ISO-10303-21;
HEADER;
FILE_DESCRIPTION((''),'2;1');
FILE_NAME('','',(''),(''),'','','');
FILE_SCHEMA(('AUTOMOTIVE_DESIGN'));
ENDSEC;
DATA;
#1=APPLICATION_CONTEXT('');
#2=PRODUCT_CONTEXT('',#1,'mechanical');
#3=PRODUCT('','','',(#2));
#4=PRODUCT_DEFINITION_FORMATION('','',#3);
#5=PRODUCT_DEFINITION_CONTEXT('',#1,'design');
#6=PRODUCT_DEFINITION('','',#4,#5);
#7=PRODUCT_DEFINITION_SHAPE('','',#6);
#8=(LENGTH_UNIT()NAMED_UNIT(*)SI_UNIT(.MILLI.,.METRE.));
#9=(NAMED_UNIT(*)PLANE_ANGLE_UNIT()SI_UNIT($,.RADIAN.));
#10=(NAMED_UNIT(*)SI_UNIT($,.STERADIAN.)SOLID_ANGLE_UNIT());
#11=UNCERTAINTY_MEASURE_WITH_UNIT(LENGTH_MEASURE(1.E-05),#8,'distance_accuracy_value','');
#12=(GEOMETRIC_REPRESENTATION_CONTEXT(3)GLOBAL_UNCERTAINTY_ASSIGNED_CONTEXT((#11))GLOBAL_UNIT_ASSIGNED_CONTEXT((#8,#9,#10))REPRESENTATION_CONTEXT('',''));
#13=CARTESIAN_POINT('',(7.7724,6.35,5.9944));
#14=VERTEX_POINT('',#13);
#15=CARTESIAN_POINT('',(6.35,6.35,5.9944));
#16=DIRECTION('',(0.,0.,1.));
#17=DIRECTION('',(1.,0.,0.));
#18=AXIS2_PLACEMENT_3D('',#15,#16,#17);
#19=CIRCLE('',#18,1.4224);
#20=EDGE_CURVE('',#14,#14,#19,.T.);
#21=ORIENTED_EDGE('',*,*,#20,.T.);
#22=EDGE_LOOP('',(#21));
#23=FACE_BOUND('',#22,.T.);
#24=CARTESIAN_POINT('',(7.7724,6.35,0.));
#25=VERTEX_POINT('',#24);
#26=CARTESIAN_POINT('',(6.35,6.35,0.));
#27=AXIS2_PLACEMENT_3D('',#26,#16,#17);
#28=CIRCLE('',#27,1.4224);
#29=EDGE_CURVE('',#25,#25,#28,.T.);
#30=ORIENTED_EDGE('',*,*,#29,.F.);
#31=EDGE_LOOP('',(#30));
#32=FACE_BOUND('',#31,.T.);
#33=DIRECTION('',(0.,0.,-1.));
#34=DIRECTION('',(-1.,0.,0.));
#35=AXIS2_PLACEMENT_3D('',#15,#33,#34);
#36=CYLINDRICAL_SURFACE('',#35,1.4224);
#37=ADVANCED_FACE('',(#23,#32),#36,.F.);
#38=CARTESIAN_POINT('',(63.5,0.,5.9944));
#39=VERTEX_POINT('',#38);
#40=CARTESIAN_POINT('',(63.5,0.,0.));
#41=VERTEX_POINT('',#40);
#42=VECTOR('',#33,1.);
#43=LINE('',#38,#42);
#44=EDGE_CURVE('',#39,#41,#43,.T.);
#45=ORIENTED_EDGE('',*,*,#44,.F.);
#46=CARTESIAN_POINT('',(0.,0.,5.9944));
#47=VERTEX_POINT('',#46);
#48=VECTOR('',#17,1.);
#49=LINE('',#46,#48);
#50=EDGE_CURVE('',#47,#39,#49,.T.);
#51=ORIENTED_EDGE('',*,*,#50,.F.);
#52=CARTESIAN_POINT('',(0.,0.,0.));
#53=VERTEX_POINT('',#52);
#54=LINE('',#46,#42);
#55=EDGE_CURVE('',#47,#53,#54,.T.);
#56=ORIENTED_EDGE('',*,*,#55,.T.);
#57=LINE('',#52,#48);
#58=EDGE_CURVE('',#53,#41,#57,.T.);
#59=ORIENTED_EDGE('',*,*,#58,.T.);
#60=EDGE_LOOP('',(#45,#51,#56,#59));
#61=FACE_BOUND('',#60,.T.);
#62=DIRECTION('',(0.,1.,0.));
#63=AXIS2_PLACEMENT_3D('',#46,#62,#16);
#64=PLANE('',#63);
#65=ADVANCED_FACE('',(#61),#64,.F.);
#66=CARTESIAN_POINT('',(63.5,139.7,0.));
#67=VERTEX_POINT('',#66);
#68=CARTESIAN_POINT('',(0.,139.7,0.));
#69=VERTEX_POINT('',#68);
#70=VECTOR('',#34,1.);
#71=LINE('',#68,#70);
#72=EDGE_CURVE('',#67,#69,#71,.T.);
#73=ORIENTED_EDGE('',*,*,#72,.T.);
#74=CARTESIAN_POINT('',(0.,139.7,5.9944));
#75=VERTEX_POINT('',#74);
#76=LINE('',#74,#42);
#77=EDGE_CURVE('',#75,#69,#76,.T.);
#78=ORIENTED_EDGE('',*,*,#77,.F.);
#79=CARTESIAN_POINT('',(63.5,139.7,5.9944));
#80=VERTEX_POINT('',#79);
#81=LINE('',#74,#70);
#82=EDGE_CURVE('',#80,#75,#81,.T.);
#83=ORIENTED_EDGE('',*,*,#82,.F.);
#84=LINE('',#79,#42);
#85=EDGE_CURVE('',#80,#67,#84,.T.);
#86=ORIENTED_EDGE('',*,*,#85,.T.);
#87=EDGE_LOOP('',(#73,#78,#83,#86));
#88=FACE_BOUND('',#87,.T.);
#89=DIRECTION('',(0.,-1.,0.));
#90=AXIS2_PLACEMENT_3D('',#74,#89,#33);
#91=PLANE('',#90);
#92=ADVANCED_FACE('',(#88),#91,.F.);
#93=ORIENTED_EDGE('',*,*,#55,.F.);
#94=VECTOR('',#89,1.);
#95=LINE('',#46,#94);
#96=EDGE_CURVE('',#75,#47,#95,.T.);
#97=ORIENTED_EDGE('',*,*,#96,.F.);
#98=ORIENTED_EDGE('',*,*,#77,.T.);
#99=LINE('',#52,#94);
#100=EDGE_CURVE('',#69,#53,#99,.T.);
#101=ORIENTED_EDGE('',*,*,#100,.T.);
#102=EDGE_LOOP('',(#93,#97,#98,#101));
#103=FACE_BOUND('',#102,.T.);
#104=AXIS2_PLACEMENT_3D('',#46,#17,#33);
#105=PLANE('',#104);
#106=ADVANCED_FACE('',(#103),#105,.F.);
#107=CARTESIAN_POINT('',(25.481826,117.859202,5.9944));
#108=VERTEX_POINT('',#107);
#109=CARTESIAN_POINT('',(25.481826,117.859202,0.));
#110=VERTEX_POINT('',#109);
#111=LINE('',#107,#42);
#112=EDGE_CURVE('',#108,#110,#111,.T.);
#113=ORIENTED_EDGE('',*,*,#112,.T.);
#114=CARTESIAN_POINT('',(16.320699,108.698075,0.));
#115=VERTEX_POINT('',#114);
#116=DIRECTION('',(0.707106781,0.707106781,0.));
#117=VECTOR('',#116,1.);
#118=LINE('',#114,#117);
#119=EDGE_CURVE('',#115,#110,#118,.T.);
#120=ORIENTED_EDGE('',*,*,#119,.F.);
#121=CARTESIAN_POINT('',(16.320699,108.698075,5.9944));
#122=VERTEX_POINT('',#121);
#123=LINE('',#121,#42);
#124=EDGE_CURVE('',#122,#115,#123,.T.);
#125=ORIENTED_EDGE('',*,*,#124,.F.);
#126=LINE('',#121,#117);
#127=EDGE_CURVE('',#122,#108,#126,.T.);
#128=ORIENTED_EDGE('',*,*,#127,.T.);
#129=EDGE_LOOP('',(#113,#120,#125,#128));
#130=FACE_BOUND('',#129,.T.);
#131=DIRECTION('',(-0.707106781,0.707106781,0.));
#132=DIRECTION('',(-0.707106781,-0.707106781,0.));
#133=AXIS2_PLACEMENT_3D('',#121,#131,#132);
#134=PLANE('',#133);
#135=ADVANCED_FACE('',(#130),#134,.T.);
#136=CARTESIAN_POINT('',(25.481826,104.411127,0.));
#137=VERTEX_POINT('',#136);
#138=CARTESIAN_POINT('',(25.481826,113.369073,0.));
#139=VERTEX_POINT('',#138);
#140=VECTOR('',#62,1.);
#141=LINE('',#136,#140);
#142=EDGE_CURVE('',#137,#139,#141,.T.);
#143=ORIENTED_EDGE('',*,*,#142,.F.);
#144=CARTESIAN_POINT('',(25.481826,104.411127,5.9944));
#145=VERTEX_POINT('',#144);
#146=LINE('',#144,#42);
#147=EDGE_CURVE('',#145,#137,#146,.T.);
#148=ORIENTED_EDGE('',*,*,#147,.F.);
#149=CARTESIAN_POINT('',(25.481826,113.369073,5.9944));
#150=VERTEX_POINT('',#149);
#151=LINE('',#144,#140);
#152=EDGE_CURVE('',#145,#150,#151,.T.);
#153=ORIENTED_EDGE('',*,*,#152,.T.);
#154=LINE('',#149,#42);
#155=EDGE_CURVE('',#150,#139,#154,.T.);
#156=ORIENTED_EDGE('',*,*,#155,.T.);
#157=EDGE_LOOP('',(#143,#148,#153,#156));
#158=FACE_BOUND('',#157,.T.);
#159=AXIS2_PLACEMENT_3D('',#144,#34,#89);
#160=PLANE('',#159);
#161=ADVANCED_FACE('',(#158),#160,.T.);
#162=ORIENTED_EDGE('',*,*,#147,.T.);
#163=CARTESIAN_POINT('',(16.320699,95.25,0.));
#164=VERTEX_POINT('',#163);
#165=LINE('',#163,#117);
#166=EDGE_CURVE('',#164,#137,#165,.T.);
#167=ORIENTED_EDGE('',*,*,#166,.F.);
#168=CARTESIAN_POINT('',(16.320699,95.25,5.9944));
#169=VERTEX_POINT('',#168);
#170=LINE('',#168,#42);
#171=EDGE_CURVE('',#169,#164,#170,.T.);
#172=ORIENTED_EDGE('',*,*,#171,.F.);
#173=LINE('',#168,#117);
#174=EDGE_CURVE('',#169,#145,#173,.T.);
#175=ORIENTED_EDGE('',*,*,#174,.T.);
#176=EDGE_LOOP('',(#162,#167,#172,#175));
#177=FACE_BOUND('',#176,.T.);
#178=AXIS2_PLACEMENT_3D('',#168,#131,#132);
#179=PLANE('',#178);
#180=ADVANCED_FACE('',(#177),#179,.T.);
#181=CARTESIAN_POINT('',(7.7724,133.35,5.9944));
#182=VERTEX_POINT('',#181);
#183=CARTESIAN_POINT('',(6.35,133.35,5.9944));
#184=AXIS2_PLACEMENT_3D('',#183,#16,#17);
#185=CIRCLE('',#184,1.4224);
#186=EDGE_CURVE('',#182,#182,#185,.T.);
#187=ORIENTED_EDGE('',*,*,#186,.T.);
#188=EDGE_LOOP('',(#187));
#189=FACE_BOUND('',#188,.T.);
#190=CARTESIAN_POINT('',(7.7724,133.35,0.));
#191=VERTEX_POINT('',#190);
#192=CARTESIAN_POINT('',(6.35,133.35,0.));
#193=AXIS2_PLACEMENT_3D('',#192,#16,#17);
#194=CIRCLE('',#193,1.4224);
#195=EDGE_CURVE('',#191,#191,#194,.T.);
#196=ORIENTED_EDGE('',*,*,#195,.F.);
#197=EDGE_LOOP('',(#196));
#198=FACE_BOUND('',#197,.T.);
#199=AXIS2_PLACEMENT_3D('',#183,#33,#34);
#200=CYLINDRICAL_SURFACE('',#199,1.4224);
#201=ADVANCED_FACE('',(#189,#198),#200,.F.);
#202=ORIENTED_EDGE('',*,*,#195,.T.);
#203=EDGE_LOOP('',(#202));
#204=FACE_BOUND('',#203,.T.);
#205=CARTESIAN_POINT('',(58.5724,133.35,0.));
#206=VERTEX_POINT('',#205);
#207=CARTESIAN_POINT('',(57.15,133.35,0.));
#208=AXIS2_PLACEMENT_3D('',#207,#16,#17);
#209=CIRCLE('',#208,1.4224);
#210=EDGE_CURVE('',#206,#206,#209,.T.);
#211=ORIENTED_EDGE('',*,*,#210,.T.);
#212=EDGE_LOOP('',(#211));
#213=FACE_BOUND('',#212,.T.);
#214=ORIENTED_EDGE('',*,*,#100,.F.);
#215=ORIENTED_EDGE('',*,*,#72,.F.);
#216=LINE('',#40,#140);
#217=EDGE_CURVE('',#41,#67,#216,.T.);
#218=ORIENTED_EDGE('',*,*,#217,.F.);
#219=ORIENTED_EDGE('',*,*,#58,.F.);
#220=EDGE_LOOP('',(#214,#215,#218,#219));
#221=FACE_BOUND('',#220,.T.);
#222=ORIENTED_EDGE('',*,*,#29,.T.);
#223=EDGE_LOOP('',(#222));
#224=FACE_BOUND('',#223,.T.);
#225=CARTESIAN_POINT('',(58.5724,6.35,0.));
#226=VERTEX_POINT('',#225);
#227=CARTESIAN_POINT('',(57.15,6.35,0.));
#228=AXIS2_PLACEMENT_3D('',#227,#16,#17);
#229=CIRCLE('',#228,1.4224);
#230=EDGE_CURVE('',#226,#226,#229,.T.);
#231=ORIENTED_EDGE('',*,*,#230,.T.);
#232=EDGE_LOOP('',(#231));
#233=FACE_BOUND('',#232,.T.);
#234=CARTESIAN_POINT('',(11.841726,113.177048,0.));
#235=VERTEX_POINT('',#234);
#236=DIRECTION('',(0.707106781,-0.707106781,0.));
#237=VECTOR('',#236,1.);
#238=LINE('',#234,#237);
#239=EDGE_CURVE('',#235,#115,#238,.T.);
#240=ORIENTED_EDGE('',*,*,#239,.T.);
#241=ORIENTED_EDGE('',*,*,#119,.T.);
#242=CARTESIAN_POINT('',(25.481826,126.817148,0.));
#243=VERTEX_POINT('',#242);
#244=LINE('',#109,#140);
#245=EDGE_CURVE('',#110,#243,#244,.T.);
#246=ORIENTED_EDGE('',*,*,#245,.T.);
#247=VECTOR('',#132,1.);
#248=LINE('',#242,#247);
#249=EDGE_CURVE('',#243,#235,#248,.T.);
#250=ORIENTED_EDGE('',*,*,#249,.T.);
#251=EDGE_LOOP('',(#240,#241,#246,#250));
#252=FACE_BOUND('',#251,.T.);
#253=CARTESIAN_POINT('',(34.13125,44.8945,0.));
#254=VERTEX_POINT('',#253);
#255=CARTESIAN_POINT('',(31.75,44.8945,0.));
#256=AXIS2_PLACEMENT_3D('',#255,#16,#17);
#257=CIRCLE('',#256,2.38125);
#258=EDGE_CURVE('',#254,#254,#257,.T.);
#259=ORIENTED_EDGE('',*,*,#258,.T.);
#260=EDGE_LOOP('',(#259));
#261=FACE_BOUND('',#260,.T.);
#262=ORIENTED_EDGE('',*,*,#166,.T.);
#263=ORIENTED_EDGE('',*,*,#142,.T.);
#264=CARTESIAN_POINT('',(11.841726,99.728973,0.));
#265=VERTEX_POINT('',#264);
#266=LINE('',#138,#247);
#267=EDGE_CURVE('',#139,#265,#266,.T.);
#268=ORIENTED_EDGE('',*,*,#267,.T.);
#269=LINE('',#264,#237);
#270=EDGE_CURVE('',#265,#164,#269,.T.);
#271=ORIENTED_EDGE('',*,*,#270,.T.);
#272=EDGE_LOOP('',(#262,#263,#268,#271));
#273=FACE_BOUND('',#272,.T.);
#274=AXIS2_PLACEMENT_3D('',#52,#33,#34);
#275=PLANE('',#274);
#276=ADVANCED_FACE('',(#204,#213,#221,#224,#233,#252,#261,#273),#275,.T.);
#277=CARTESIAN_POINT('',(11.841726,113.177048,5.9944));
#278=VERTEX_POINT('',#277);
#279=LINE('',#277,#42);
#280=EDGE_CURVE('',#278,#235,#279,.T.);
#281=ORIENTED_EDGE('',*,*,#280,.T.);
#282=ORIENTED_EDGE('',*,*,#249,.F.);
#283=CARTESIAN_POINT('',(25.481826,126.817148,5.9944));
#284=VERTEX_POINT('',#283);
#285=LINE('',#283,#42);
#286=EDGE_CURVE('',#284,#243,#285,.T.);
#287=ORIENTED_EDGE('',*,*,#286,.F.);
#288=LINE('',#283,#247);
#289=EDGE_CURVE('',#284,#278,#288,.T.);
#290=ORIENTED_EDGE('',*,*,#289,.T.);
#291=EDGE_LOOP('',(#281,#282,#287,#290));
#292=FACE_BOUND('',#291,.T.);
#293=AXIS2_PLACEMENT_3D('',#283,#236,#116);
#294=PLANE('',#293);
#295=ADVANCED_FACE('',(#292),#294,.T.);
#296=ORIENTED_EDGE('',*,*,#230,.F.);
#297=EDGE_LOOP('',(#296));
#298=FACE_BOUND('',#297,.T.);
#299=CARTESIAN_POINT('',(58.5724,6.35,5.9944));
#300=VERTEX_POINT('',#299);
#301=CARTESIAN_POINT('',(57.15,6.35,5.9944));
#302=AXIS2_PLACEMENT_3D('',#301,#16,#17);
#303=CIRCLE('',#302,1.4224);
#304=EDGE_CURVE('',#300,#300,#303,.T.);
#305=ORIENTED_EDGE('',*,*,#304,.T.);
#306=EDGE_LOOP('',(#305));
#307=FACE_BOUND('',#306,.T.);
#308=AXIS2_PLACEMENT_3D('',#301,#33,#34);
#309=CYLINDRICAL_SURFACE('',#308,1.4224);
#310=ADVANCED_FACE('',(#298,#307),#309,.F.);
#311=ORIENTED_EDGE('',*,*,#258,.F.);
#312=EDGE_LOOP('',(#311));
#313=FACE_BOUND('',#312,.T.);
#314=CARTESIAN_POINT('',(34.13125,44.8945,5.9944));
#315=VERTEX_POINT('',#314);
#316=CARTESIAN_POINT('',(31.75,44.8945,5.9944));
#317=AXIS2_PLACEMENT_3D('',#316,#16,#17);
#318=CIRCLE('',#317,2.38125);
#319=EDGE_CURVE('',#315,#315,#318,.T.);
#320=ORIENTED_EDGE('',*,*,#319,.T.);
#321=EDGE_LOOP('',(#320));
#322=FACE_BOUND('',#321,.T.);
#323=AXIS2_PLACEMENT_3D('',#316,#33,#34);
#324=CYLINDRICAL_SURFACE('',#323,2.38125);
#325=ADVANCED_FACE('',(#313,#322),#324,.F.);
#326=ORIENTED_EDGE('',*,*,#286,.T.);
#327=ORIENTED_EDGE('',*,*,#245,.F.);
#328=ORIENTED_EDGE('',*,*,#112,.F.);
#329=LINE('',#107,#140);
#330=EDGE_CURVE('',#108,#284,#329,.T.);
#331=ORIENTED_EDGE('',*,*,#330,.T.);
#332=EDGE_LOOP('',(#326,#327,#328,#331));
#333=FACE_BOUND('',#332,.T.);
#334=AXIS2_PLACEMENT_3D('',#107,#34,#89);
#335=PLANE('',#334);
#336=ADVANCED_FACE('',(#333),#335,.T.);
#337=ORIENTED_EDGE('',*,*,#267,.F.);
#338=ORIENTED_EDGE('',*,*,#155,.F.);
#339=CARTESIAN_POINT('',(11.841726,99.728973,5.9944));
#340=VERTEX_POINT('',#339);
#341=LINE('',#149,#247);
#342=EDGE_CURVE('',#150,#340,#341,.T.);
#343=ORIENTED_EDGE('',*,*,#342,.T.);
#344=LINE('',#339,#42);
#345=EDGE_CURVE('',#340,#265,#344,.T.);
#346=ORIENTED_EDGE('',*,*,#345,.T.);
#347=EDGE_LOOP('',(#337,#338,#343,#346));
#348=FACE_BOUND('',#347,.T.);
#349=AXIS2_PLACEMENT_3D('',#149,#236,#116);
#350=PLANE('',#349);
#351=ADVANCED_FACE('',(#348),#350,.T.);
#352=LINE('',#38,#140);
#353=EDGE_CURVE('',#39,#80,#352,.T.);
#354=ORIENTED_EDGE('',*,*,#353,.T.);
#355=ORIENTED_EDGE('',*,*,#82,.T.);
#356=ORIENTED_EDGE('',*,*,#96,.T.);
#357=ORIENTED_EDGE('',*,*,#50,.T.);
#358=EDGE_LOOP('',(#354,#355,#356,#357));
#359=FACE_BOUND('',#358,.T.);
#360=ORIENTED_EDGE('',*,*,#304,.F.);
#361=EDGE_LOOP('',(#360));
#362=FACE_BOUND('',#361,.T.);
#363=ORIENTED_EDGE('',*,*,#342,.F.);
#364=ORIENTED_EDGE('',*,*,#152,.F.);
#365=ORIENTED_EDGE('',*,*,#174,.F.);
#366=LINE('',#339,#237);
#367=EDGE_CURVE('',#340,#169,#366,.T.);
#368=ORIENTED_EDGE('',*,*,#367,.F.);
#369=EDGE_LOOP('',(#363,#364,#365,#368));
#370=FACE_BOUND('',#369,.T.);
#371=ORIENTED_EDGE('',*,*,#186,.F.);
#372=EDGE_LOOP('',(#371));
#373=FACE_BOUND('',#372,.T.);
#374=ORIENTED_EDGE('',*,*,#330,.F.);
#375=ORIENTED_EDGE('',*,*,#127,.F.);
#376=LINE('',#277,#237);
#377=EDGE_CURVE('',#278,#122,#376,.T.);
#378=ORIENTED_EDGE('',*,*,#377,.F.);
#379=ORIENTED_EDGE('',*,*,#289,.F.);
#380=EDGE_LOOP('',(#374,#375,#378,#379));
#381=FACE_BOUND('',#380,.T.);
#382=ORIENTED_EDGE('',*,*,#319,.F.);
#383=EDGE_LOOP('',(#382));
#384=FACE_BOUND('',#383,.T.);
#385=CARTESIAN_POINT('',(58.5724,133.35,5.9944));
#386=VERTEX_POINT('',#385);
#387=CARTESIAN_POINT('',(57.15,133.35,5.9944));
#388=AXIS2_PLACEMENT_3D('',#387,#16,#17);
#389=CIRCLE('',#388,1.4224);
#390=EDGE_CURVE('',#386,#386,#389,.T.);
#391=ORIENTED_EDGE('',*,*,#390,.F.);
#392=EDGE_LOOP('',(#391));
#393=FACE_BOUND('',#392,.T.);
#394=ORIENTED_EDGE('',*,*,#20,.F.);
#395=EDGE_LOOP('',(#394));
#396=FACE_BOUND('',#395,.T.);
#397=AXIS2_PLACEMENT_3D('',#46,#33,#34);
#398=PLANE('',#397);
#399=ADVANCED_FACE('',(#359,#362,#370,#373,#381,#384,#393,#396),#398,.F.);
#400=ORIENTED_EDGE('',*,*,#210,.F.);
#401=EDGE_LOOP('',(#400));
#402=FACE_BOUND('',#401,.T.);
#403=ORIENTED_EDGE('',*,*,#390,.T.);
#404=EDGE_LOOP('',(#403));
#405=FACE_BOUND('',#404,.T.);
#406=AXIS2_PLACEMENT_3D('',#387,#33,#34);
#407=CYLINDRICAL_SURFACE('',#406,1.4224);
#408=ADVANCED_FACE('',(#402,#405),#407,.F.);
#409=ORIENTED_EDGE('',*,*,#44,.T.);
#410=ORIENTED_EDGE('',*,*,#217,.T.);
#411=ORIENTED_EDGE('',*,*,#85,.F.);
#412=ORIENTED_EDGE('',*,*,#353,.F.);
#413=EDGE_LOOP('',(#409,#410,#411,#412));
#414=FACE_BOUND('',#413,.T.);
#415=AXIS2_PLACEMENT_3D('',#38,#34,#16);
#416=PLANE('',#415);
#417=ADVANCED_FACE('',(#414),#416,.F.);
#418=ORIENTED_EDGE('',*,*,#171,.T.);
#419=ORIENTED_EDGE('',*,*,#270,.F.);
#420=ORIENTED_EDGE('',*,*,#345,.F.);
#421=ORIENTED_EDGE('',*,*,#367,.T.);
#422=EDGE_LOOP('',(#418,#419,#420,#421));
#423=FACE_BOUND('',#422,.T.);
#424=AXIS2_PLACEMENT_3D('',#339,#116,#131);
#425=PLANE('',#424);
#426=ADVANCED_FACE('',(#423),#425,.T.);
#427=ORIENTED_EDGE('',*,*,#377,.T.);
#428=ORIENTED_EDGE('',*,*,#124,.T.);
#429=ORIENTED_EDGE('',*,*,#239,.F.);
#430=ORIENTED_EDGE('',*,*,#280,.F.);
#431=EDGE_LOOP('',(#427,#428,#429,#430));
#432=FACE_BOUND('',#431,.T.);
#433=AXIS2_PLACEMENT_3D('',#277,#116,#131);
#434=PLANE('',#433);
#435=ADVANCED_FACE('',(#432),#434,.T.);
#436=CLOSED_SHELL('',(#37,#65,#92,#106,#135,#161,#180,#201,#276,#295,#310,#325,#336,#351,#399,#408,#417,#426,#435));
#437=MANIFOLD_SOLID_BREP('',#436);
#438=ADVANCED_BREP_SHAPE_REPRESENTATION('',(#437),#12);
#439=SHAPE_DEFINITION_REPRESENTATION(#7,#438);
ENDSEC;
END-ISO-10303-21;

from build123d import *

# Parameters (mm, degrees)
SKETCH1_W           = 63.5
SKETCH1_H           = 139.7
SKETCH1_R           = 1.4224
SKETCH1_R_2         = 2.38125
BOSS_EXTRUDE1_DEPTH = 5.9944


with BuildPart() as part:
    # Sketch1 → Boss-Extrude1 (new body)
    with BuildSketch(Plane.XY):
        with Locations((31.75, 69.85)):
            Rectangle(SKETCH1_W, SKETCH1_H)
        with Locations((6.35, 133.35)):
            Circle(SKETCH1_R, mode=Mode.SUBTRACT)
        with Locations((57.15, 133.35)):
            Circle(SKETCH1_R, mode=Mode.SUBTRACT)
        with Locations((57.15, 6.35)):
            Circle(SKETCH1_R, mode=Mode.SUBTRACT)
        with Locations((6.35, 6.35)):
            Circle(SKETCH1_R, mode=Mode.SUBTRACT)
        with Locations((31.75, 44.8945)):
            Circle(SKETCH1_R_2, mode=Mode.SUBTRACT)
        Polygon((25.481826149, 104.411127028), (25.481826149, 113.369073478), (11.841725896, 99.728973225), (16.320699121, 95.25), align=None, mode=Mode.SUBTRACT)
        Polygon((25.481826149, 117.859201538), (25.481826149, 126.817147988), (11.841725896, 113.177047735), (16.320699121, 108.69807451), align=None, mode=Mode.SUBTRACT)
    extrude(amount=BOSS_EXTRUDE1_DEPTH)


solid = part.part
